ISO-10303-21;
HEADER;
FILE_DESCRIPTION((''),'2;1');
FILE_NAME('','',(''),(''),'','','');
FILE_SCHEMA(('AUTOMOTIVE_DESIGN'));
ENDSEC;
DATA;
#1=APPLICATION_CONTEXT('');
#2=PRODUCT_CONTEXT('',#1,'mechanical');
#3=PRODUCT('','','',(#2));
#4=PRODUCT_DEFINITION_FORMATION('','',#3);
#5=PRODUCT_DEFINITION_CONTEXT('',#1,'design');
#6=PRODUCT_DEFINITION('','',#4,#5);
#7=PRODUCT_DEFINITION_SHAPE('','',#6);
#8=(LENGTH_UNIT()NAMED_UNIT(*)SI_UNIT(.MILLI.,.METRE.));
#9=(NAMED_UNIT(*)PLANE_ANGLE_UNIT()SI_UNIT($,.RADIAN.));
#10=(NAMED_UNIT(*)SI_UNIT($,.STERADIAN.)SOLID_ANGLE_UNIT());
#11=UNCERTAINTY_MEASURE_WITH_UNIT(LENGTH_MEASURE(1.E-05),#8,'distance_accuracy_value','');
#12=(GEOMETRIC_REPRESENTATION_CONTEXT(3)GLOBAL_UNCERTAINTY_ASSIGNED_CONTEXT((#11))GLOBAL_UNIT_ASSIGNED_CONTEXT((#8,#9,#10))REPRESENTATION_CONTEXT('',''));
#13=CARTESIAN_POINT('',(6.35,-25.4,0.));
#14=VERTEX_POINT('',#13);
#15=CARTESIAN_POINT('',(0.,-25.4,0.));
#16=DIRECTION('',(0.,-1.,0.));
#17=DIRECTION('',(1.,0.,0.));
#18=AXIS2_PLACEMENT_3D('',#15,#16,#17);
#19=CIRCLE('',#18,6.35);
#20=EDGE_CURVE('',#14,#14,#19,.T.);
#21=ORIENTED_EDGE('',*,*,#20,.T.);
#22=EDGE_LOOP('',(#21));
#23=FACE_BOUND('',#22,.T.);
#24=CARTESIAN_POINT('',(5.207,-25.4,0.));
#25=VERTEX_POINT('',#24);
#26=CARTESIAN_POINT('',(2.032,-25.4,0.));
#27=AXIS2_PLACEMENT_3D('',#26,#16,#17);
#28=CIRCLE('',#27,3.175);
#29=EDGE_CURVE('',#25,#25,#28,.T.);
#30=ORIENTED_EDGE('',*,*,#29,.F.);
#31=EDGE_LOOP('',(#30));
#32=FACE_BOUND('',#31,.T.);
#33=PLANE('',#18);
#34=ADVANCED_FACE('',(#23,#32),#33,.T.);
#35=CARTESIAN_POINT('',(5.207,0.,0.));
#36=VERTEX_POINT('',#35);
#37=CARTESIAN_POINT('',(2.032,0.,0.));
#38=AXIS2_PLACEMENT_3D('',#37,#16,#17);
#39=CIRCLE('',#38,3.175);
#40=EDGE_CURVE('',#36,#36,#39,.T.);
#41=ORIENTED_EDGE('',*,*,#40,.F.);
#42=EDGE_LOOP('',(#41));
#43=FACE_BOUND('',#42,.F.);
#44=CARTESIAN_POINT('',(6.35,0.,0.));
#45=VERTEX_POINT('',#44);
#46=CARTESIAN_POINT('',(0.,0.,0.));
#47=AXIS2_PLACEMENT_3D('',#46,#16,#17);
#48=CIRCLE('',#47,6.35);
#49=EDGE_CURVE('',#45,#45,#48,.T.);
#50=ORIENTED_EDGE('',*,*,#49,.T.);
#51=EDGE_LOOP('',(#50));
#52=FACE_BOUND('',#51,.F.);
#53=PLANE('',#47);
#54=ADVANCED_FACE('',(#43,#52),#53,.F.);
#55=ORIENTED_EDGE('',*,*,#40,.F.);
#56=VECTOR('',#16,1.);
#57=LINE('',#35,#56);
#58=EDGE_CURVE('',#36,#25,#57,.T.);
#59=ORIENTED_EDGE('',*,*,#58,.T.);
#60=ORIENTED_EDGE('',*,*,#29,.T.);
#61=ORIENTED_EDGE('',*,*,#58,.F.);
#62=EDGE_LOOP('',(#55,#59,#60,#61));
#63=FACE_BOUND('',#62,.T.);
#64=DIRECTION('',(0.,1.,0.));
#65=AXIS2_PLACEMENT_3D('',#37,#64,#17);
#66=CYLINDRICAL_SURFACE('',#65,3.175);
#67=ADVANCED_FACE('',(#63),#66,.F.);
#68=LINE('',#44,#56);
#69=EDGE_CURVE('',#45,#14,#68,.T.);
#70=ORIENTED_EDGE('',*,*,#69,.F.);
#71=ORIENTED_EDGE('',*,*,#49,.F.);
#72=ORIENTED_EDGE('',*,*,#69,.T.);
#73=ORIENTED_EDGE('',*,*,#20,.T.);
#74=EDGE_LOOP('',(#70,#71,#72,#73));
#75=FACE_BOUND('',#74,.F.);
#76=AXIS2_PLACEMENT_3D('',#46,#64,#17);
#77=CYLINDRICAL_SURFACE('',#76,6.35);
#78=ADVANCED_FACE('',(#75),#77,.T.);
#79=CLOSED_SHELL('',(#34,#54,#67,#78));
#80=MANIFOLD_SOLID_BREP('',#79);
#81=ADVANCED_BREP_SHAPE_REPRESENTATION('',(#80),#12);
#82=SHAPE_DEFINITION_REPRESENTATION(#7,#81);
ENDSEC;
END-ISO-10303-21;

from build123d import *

# Parameters (mm, degrees)
SKETCH_R   = 6.35
SKETCH_R_2 = 3.175
PAD_DEPTH  = 25.4


with BuildPart() as part:
    # Sketch → Pad (new body)
    with BuildSketch(Plane.XZ):
        Circle(SKETCH_R)
        with Locations((2.032, 0)):
            Circle(SKETCH_R_2, mode=Mode.SUBTRACT)
    extrude(amount=PAD_DEPTH)


solid = part.part
